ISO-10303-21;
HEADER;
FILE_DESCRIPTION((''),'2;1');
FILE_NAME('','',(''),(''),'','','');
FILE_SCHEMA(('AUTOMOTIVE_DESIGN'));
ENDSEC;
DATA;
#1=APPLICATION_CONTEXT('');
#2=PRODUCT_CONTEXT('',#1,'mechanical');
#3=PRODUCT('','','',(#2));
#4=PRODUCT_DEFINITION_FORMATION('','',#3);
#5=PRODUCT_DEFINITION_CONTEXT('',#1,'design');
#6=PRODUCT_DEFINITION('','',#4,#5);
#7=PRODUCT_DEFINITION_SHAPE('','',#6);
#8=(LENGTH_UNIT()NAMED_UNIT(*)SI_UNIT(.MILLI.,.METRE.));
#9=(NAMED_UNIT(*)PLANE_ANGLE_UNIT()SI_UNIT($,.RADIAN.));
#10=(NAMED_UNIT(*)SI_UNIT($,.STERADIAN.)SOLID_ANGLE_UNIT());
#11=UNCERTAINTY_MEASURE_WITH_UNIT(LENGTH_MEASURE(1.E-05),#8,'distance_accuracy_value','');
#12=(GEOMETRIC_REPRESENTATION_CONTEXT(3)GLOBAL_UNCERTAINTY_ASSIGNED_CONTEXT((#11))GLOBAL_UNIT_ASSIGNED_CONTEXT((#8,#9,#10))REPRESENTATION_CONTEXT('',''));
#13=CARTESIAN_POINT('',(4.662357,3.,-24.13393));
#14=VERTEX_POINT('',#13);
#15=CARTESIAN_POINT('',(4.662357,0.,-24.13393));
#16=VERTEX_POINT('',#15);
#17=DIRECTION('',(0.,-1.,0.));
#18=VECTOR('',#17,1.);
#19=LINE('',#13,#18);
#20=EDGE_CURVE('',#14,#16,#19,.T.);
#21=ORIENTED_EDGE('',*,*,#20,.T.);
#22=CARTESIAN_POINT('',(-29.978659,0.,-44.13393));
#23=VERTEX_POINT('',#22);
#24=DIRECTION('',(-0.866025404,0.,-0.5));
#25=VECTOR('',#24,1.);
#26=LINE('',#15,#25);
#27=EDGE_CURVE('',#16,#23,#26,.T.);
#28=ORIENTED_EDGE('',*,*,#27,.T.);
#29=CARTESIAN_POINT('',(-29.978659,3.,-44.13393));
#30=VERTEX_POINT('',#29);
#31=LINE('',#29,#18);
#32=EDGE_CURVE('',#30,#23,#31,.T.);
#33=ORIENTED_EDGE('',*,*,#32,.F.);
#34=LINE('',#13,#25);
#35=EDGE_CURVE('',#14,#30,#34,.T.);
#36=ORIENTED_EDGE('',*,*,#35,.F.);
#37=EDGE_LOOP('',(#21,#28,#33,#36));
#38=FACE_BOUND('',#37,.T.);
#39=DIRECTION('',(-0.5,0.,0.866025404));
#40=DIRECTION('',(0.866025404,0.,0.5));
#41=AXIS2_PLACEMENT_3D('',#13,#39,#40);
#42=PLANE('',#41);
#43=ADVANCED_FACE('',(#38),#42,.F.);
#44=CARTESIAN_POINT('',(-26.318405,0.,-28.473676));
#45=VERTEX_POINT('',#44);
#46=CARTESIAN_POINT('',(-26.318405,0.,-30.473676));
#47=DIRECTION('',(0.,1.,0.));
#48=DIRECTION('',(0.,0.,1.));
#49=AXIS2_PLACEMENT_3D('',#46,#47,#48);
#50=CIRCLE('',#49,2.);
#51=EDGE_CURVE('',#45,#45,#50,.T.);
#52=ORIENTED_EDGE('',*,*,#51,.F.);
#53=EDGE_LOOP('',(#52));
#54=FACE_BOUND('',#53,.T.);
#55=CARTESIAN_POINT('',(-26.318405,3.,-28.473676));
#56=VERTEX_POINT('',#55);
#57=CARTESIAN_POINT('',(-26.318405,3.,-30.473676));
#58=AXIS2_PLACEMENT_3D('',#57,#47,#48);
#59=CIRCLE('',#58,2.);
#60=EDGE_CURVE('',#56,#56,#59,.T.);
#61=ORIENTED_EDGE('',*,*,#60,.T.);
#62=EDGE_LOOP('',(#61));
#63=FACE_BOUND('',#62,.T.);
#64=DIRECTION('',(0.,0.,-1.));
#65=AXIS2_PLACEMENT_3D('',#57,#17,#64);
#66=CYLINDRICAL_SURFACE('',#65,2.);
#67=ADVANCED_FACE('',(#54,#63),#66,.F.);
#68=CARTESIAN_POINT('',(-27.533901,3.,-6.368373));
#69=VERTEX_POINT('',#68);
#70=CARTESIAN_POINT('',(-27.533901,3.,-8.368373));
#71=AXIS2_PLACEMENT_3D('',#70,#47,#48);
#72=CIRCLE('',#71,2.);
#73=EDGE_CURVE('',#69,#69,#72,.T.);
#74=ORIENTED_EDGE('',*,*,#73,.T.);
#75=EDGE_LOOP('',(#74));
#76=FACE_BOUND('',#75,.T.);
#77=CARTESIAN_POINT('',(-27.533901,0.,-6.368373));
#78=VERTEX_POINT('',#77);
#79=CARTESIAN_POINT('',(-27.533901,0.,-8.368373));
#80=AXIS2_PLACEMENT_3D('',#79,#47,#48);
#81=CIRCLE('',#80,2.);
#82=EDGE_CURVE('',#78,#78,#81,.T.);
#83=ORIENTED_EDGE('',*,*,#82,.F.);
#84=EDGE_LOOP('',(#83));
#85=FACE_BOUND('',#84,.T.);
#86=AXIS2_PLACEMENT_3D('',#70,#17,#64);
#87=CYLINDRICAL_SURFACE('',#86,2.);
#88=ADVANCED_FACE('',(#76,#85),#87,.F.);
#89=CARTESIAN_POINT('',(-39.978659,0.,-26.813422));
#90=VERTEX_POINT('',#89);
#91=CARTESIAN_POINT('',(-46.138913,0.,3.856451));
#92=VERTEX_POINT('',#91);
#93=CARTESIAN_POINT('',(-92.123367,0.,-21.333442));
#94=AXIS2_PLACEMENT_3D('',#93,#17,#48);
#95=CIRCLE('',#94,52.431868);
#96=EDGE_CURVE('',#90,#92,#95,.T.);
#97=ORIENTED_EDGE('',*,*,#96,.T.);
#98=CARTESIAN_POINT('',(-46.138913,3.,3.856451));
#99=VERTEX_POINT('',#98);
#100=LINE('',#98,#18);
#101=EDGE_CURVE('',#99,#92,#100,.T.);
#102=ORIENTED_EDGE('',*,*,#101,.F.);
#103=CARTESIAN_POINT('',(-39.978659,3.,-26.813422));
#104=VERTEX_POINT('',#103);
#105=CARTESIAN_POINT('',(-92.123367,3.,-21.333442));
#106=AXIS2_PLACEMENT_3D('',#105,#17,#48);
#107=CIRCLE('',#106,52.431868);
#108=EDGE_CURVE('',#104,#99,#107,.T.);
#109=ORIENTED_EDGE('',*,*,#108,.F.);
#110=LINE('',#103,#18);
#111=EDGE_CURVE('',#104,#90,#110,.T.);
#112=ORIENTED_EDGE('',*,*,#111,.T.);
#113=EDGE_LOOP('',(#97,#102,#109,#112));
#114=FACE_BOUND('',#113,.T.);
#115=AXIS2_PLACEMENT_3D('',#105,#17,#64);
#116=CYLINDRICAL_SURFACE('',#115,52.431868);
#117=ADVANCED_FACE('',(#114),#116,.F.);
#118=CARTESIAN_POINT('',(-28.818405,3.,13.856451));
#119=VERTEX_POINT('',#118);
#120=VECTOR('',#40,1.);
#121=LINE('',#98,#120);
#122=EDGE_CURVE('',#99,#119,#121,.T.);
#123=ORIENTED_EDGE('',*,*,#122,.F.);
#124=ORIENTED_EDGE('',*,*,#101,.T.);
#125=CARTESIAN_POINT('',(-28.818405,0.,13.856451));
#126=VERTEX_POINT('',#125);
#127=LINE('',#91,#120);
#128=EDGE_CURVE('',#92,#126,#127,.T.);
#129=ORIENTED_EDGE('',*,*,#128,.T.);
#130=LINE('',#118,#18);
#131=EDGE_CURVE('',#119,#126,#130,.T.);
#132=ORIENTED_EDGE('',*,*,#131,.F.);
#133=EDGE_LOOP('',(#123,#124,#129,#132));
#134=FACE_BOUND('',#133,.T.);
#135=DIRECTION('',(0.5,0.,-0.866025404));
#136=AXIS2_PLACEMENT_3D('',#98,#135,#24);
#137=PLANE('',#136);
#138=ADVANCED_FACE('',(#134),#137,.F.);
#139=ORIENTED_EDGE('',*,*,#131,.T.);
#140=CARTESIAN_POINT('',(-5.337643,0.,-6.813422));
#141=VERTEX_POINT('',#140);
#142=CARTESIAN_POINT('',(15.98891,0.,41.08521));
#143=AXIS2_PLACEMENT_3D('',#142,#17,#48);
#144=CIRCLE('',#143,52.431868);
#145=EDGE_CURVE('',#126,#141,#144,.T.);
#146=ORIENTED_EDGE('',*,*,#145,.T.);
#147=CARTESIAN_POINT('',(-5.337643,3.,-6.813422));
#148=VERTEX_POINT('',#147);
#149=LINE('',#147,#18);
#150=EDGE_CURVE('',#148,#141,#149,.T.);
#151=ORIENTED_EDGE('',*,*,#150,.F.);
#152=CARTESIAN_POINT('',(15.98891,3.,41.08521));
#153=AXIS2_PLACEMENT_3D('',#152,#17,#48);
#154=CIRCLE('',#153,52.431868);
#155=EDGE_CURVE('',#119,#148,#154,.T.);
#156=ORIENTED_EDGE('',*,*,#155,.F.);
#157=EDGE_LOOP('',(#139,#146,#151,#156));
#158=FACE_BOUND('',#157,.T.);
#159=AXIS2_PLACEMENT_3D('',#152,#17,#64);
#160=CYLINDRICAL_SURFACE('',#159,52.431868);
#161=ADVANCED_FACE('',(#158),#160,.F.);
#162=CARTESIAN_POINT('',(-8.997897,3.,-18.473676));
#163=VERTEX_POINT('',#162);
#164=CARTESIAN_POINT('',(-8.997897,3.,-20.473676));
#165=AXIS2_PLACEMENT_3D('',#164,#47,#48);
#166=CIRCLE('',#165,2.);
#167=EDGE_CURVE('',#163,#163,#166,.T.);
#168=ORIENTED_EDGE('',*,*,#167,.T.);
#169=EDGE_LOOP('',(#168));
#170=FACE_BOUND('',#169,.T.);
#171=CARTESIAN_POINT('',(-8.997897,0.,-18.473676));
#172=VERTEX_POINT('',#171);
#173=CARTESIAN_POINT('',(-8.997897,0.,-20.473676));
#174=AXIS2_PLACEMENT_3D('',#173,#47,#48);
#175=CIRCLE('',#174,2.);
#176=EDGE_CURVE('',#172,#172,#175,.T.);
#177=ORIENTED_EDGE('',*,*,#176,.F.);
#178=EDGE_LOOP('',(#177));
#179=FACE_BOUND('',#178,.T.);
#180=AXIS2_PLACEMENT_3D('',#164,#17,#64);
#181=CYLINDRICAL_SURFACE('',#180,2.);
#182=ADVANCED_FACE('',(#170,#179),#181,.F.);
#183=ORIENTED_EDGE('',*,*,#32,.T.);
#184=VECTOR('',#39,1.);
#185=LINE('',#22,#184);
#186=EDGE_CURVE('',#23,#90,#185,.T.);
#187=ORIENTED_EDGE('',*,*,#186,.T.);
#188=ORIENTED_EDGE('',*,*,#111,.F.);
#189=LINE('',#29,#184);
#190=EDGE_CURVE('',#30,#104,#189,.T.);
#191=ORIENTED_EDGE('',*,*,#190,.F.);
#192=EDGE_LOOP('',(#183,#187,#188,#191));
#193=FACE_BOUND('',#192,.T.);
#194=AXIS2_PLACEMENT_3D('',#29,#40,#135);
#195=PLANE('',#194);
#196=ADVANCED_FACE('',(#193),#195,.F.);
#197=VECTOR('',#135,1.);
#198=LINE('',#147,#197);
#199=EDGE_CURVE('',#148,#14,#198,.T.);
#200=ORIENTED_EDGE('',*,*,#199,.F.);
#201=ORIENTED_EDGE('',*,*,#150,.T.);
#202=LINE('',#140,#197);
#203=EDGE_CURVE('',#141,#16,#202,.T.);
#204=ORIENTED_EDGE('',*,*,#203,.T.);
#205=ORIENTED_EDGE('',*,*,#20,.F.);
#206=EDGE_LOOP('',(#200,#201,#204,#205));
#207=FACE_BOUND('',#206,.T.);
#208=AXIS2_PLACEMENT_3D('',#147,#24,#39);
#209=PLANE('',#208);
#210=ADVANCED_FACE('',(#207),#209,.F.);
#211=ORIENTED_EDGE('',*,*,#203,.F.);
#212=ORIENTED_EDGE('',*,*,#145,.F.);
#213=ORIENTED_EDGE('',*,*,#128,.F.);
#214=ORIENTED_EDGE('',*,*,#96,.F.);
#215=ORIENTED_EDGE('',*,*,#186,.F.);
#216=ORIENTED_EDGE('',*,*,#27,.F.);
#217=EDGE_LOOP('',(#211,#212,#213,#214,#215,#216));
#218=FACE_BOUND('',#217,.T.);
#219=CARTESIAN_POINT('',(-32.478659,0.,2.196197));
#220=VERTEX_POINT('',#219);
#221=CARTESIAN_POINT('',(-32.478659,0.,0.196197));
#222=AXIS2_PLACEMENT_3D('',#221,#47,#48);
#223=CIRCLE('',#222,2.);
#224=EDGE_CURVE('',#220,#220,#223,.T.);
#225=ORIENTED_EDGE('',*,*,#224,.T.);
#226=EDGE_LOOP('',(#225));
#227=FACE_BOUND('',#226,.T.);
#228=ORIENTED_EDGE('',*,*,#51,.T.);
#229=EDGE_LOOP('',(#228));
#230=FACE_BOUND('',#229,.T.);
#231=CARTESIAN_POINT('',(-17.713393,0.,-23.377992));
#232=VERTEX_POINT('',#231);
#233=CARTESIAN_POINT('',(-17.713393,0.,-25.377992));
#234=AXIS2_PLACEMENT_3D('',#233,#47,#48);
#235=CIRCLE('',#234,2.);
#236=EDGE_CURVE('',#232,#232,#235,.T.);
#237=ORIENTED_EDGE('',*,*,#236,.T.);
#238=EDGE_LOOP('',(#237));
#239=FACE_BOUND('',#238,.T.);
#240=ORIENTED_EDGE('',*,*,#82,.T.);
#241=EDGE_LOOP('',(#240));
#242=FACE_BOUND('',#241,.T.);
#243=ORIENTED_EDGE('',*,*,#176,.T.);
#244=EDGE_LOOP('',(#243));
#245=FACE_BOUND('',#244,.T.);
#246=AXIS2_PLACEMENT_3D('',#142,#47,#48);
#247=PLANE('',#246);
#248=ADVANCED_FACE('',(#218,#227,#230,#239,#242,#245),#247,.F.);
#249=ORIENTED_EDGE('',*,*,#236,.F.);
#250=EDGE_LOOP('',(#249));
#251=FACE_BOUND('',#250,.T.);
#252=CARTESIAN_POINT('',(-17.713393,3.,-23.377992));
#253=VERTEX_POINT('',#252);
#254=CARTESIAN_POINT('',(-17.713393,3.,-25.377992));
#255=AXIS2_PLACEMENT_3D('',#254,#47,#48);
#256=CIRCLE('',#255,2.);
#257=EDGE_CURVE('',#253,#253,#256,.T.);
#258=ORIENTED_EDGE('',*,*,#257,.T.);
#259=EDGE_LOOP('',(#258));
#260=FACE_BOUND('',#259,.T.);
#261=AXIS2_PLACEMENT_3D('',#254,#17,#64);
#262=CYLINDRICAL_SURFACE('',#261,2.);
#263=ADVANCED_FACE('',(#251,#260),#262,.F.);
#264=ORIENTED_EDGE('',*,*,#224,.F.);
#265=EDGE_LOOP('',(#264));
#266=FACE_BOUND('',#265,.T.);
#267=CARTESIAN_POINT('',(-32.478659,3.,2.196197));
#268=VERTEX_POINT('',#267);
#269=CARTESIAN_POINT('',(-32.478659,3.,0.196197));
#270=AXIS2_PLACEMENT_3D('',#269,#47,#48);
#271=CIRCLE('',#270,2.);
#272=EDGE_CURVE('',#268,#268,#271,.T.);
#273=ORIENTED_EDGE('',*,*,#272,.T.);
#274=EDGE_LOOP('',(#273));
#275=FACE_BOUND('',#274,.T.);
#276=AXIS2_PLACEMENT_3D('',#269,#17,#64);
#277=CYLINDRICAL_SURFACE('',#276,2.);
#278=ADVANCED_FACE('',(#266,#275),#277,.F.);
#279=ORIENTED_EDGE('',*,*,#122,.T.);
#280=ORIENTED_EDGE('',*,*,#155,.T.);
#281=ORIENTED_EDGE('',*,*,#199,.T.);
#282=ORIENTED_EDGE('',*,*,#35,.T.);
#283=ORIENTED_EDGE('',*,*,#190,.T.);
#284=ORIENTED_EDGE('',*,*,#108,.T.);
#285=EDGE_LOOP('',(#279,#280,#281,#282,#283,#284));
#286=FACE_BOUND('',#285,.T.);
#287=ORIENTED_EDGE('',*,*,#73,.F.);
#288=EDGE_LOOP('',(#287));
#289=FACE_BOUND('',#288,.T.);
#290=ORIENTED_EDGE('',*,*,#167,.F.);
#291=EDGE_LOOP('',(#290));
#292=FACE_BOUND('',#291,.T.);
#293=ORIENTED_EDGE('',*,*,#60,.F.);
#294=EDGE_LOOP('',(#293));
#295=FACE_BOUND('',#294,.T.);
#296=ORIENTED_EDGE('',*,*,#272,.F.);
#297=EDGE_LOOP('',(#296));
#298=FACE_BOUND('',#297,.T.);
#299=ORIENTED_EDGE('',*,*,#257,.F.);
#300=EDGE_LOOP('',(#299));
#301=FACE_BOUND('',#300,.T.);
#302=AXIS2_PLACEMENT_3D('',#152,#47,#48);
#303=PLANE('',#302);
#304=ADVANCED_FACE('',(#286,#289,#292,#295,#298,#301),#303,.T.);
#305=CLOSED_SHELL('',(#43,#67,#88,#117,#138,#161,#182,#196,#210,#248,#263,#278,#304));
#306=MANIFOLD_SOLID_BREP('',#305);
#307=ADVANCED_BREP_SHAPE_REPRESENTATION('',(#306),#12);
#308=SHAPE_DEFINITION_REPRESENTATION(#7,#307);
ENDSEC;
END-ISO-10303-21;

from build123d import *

# Parameters (mm, degrees)
SKETCH_1_R      = 2
EXTRUDE_1_DEPTH = 3


with BuildPart() as part:
    # 草图1 → 凸台-拉伸1 (new body)
    with BuildSketch(Plane(origin=(0, 0, 0), x_dir=(1, 0, 0), z_dir=(0, 1, 0))):
        with BuildLine():
            Line((-5.337642525, 6.81342157), (4.662357475, 24.133929646))
            Line((4.662357475, 24.133929646), (-29.978658676, 44.133929646))
            Line((-29.978658676, 44.133929646), (-39.978658676, 26.81342157))
            ThreePointArc((-39.978658676, 26.81342157), (-40.718178371, 11.008358068), (-46.138912714, -3.856451411))
            Line((-46.138912714, -3.856451411), (-28.818404638, -13.856451411))
            ThreePointArc((-28.818404638, -13.856451411), (-18.655469178, -1.729553023), (-5.337642525, 6.81342157))
        make_face()
        with Locations(Location((-26.318404638, 30.473675608, 0), (0, 0, 270))):
            Circle(SKETCH_1_R, mode=Mode.SUBTRACT)
        with Locations(Location((-17.713393416, 25.377992244, 0), (0, 0, 270))):
            Circle(SKETCH_1_R, mode=Mode.SUBTRACT)
        with Locations(Location((-8.997896563, 20.473675608, 0), (0, 0, 270))):
            Circle(SKETCH_1_R, mode=Mode.SUBTRACT)
        with Locations(Location((-27.533901492, 8.368373301, 0), (0, 0, 270))):
            Circle(SKETCH_1_R, mode=Mode.SUBTRACT)
        with Locations(Location((-32.478658676, -0.196197373, 0), (0, 0, 270))):
            Circle(SKETCH_1_R, mode=Mode.SUBTRACT)
    extrude(amount=EXTRUDE_1_DEPTH)


solid = part.part
